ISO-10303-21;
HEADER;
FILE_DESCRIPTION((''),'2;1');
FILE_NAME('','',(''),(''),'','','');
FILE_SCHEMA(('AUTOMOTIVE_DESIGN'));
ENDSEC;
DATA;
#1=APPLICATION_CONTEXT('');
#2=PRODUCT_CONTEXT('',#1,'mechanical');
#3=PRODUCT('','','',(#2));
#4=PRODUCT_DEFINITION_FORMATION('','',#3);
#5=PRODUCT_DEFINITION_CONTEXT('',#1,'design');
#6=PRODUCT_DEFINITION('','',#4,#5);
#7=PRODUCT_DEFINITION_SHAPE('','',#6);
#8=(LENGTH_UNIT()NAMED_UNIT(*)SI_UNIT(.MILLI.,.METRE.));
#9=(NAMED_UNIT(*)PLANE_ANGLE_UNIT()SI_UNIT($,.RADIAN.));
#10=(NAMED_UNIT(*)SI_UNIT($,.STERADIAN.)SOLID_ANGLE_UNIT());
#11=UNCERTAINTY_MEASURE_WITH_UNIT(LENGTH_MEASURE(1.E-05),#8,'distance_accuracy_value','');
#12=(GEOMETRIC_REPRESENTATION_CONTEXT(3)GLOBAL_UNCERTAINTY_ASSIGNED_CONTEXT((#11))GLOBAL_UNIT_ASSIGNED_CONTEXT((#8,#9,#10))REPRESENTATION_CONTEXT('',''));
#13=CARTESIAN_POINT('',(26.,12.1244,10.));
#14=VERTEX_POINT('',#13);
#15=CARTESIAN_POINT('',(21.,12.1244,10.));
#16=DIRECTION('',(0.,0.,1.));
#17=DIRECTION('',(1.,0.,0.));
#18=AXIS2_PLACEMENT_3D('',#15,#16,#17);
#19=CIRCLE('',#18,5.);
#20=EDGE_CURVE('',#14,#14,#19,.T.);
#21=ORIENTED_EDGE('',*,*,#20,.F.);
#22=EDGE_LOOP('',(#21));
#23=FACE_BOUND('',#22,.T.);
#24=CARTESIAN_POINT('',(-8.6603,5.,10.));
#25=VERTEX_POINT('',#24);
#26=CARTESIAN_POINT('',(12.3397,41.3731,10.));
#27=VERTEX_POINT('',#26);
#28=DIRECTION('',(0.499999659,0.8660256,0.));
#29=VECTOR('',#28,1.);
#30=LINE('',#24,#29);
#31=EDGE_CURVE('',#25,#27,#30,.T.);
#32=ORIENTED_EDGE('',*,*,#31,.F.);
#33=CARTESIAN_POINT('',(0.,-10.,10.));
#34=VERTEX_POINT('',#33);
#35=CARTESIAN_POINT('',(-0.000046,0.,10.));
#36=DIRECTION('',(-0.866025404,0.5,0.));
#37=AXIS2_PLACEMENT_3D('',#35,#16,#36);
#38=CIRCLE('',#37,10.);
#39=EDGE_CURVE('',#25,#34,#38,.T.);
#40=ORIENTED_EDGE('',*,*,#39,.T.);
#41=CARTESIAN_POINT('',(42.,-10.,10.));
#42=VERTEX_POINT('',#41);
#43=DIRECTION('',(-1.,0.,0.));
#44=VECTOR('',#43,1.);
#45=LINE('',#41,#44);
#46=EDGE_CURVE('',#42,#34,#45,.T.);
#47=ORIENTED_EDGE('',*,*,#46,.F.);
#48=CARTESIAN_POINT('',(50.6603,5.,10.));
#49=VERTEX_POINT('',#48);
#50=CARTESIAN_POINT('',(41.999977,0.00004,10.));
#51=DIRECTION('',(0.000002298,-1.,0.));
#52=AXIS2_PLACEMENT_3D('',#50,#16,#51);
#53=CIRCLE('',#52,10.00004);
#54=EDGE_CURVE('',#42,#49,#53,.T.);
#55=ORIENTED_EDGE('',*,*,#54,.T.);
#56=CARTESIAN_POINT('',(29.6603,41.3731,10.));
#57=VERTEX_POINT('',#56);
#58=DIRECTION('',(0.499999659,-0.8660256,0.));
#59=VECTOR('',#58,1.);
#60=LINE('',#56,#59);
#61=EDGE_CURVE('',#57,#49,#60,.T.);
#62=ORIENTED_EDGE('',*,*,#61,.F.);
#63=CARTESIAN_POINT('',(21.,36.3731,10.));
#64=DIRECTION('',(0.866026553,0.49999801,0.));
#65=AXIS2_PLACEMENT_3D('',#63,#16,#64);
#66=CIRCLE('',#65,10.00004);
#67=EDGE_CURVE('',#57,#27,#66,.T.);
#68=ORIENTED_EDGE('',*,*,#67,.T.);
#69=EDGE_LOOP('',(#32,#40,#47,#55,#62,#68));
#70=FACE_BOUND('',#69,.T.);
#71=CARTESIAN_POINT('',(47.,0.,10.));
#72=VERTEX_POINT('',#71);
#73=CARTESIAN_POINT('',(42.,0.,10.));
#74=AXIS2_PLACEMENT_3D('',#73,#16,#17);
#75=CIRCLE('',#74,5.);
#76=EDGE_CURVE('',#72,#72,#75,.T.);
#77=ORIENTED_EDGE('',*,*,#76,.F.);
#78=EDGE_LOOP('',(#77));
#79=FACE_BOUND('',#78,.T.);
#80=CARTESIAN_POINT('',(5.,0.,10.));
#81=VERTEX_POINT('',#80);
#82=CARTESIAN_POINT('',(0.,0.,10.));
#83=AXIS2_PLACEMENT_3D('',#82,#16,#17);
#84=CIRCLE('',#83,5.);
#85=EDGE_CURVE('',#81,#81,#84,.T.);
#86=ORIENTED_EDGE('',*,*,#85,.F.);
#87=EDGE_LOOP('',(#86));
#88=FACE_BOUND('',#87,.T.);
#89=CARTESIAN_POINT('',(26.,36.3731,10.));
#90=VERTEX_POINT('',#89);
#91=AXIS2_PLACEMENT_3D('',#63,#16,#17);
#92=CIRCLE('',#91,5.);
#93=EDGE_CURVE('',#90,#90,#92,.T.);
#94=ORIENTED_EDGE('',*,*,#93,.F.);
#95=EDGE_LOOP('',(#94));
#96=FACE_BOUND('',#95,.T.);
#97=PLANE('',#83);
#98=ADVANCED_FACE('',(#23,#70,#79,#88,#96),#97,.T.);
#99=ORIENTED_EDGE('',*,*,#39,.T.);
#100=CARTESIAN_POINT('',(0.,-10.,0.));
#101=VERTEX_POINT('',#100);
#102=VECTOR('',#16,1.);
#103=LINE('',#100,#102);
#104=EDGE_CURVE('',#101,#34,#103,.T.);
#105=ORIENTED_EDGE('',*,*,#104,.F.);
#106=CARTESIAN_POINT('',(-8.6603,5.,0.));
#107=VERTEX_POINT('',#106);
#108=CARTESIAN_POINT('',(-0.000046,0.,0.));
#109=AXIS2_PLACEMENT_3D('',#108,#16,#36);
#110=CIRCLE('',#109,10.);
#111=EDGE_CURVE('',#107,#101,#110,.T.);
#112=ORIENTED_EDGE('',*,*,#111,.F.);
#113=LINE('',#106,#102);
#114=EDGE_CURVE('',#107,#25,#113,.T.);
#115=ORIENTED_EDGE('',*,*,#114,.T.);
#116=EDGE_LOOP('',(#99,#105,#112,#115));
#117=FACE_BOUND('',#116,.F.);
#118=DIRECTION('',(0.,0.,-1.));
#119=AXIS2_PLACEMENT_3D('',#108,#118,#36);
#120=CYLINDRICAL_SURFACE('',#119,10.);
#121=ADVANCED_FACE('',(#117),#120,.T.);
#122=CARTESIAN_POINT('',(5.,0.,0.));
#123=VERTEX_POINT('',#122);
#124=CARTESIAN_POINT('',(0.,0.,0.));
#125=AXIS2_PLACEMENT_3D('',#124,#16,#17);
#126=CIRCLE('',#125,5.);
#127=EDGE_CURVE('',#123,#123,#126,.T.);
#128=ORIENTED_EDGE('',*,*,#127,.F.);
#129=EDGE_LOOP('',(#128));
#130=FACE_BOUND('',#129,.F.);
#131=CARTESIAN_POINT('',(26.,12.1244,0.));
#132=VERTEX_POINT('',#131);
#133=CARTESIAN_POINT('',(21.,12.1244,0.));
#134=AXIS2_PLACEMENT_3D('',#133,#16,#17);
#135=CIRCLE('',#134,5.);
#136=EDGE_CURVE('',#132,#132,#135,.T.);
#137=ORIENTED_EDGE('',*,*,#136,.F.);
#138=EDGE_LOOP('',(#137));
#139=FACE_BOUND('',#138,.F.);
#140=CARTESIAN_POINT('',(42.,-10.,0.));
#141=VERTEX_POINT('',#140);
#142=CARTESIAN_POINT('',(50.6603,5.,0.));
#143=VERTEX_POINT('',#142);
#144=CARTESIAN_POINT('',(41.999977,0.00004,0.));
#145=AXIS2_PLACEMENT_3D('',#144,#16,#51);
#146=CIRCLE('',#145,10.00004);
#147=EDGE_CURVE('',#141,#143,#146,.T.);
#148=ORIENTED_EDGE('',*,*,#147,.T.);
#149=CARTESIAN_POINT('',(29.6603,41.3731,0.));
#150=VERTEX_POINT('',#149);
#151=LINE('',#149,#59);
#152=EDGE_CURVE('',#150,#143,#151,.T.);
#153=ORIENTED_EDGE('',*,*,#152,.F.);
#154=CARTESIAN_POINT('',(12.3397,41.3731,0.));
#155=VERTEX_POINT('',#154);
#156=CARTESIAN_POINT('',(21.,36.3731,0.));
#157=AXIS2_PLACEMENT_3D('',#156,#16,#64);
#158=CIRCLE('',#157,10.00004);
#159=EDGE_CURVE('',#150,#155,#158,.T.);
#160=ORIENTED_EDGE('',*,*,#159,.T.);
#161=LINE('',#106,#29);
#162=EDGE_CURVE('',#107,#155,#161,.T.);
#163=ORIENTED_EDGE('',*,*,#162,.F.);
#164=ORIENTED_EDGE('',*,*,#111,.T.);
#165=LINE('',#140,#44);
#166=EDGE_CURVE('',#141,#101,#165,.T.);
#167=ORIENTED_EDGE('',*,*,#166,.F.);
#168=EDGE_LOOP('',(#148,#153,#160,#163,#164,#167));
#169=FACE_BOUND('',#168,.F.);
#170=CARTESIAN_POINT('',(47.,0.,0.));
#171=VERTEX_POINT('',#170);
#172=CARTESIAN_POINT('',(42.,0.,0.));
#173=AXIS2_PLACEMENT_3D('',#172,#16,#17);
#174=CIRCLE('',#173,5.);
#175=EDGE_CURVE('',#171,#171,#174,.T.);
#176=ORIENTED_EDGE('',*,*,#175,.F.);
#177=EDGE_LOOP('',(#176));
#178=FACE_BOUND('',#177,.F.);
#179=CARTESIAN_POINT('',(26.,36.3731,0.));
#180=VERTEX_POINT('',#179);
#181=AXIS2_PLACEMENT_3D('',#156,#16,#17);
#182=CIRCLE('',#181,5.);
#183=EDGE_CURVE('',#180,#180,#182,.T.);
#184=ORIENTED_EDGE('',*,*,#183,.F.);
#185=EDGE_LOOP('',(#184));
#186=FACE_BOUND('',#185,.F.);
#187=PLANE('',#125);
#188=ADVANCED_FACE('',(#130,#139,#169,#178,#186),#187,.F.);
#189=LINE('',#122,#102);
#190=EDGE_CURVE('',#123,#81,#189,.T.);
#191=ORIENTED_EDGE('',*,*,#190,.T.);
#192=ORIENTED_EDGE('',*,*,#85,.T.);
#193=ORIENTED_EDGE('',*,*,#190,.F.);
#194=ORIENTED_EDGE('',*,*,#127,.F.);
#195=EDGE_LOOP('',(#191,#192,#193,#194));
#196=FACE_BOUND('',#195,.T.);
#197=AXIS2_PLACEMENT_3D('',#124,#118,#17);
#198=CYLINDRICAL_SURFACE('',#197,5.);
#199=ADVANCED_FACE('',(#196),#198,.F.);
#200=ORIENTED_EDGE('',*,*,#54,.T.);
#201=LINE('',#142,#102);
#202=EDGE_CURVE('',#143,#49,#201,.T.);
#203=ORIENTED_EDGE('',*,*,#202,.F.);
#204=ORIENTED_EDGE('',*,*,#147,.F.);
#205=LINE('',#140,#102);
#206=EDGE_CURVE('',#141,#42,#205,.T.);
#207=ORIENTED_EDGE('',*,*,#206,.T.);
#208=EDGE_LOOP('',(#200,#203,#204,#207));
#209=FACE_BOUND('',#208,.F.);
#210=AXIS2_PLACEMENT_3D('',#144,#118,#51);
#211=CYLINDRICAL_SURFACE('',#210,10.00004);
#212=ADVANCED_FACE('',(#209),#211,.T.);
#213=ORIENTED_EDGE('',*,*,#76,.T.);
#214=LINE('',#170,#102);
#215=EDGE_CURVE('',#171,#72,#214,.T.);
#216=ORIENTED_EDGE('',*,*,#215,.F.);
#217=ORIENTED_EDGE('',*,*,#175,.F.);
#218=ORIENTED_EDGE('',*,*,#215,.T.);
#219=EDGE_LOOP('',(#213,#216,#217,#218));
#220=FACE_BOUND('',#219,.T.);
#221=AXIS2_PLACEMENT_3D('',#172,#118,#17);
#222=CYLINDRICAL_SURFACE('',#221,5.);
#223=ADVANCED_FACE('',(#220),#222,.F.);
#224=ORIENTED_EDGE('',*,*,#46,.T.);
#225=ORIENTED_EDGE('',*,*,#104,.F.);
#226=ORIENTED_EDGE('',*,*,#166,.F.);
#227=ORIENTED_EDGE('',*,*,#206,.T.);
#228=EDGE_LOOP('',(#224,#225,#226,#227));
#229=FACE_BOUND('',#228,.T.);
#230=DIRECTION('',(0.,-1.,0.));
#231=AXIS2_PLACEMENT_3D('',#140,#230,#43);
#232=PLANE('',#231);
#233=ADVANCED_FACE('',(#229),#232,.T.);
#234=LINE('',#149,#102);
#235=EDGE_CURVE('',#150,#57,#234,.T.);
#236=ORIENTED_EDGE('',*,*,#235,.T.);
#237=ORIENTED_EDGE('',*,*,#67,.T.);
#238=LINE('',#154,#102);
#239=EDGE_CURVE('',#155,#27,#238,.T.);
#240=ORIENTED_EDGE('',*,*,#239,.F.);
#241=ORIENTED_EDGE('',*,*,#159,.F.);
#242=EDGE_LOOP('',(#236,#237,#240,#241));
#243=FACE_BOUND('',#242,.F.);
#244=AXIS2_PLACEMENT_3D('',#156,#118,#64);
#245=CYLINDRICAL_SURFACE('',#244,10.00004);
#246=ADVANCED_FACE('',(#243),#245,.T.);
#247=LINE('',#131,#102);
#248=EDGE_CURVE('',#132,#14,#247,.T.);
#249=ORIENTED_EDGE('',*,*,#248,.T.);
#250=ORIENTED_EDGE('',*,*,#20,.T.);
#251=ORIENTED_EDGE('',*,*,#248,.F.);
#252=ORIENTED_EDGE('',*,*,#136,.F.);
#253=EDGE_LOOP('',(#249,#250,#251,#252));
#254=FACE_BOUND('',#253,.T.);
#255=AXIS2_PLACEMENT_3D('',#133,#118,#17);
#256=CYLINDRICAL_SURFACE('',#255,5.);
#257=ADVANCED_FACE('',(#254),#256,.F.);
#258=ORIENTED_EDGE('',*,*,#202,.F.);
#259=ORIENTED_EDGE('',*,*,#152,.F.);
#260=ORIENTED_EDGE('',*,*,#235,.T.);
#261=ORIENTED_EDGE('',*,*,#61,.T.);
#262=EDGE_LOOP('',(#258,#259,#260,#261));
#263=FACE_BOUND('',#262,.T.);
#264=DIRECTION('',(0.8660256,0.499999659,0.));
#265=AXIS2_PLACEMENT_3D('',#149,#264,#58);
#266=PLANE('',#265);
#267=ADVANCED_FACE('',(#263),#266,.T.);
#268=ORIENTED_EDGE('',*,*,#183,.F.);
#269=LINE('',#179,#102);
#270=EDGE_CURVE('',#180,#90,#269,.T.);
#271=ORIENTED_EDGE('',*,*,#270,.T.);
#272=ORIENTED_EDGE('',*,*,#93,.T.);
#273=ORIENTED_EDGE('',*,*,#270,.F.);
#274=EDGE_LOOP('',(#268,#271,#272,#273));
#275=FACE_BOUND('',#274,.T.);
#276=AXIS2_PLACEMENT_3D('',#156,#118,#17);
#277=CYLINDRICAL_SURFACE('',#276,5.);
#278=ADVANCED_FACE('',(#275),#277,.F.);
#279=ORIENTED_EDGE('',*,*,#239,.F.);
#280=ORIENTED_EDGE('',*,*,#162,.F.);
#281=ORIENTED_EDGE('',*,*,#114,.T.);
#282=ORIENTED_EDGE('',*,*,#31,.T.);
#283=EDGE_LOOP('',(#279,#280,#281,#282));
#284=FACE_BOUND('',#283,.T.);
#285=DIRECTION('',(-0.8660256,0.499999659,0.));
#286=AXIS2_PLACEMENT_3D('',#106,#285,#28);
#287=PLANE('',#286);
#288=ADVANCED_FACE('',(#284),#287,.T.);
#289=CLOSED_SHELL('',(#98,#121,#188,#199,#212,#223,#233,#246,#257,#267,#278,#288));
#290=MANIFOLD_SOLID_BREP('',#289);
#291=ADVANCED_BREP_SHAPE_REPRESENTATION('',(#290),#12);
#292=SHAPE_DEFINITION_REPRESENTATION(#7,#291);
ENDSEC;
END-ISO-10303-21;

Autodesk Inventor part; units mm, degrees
ref_plane "YZ Plane" through (0, 0, 0) normal (1, 0, 0) x (0, 1, 0)
ref_plane "XZ Plane" through (0, 0, 0) normal (0, 1, 0) x (-1, 0, 0)
ref_plane "XY Plane" through (0, 0, 0) normal (0, 0, 1) x (1, 0, 0)
sketch "Sketch1" plane through (0, 0, 0) normal (0, 0, 1) x (1, 0, 0)
  line L0 (0, 0) -> (21, 36.3731) construction
  line L1 (0, 0) -> (42, 0) construction
  line L2 (42, 0) -> (21, 36.3731) construction
  circle A0 centre (21, 36.3731) radius 5
  circle A1 centre (42, 0) radius 5
  circle A2 centre (0, 0) radius 5
  circle A3 centre (21, 36.3731) radius 10 construction
  circle A4 centre (42, 0) radius 10 construction
  circle A5 centre (0, 0) radius 10 construction
  line L3 (-8.6603, 5) -> (12.3397, 41.3731)
  line L4 (29.6603, 41.3731) -> (50.6603, 5)
  line L5 (42, -10) -> (0, -10)
  arc A6 (-8.6603, 5) -> (0, -10) centre (0, 0) ccw
  arc A7 (29.6603, 41.3731) -> (12.3397, 41.3731) centre (21, 36.3731) ccw
  arc A8 (42, -10) -> (50.6603, 5) centre (42, 0) ccw
  circle A9 centre (21, 12.1244) radius 5
  line L6 (21, 12.1244) -> (21, -10) construction
  line L7 (21, 12.1244) -> (40.1603, 23.1865) construction
  line L8 (21, 12.1244) -> (1.8397, 23.1865) construction
  point P0 (31.5, 18.1865)
  dimension "d0" = 42
  dimension "d2" = 42
  dimension "d3" = 10
  dimension "d4" = 10
  dimension "d5" = 10
  dimension "d6" = 5
  dimension "d7" = 5
  dimension "d8" = 5
  dimension "d11" = 10
extrude "Extrusion1" add sketch "Sketch1" along normal blind 10
equation "\"d2\" = d0"
properties part number "Carrier" material "ABS Plastic"
